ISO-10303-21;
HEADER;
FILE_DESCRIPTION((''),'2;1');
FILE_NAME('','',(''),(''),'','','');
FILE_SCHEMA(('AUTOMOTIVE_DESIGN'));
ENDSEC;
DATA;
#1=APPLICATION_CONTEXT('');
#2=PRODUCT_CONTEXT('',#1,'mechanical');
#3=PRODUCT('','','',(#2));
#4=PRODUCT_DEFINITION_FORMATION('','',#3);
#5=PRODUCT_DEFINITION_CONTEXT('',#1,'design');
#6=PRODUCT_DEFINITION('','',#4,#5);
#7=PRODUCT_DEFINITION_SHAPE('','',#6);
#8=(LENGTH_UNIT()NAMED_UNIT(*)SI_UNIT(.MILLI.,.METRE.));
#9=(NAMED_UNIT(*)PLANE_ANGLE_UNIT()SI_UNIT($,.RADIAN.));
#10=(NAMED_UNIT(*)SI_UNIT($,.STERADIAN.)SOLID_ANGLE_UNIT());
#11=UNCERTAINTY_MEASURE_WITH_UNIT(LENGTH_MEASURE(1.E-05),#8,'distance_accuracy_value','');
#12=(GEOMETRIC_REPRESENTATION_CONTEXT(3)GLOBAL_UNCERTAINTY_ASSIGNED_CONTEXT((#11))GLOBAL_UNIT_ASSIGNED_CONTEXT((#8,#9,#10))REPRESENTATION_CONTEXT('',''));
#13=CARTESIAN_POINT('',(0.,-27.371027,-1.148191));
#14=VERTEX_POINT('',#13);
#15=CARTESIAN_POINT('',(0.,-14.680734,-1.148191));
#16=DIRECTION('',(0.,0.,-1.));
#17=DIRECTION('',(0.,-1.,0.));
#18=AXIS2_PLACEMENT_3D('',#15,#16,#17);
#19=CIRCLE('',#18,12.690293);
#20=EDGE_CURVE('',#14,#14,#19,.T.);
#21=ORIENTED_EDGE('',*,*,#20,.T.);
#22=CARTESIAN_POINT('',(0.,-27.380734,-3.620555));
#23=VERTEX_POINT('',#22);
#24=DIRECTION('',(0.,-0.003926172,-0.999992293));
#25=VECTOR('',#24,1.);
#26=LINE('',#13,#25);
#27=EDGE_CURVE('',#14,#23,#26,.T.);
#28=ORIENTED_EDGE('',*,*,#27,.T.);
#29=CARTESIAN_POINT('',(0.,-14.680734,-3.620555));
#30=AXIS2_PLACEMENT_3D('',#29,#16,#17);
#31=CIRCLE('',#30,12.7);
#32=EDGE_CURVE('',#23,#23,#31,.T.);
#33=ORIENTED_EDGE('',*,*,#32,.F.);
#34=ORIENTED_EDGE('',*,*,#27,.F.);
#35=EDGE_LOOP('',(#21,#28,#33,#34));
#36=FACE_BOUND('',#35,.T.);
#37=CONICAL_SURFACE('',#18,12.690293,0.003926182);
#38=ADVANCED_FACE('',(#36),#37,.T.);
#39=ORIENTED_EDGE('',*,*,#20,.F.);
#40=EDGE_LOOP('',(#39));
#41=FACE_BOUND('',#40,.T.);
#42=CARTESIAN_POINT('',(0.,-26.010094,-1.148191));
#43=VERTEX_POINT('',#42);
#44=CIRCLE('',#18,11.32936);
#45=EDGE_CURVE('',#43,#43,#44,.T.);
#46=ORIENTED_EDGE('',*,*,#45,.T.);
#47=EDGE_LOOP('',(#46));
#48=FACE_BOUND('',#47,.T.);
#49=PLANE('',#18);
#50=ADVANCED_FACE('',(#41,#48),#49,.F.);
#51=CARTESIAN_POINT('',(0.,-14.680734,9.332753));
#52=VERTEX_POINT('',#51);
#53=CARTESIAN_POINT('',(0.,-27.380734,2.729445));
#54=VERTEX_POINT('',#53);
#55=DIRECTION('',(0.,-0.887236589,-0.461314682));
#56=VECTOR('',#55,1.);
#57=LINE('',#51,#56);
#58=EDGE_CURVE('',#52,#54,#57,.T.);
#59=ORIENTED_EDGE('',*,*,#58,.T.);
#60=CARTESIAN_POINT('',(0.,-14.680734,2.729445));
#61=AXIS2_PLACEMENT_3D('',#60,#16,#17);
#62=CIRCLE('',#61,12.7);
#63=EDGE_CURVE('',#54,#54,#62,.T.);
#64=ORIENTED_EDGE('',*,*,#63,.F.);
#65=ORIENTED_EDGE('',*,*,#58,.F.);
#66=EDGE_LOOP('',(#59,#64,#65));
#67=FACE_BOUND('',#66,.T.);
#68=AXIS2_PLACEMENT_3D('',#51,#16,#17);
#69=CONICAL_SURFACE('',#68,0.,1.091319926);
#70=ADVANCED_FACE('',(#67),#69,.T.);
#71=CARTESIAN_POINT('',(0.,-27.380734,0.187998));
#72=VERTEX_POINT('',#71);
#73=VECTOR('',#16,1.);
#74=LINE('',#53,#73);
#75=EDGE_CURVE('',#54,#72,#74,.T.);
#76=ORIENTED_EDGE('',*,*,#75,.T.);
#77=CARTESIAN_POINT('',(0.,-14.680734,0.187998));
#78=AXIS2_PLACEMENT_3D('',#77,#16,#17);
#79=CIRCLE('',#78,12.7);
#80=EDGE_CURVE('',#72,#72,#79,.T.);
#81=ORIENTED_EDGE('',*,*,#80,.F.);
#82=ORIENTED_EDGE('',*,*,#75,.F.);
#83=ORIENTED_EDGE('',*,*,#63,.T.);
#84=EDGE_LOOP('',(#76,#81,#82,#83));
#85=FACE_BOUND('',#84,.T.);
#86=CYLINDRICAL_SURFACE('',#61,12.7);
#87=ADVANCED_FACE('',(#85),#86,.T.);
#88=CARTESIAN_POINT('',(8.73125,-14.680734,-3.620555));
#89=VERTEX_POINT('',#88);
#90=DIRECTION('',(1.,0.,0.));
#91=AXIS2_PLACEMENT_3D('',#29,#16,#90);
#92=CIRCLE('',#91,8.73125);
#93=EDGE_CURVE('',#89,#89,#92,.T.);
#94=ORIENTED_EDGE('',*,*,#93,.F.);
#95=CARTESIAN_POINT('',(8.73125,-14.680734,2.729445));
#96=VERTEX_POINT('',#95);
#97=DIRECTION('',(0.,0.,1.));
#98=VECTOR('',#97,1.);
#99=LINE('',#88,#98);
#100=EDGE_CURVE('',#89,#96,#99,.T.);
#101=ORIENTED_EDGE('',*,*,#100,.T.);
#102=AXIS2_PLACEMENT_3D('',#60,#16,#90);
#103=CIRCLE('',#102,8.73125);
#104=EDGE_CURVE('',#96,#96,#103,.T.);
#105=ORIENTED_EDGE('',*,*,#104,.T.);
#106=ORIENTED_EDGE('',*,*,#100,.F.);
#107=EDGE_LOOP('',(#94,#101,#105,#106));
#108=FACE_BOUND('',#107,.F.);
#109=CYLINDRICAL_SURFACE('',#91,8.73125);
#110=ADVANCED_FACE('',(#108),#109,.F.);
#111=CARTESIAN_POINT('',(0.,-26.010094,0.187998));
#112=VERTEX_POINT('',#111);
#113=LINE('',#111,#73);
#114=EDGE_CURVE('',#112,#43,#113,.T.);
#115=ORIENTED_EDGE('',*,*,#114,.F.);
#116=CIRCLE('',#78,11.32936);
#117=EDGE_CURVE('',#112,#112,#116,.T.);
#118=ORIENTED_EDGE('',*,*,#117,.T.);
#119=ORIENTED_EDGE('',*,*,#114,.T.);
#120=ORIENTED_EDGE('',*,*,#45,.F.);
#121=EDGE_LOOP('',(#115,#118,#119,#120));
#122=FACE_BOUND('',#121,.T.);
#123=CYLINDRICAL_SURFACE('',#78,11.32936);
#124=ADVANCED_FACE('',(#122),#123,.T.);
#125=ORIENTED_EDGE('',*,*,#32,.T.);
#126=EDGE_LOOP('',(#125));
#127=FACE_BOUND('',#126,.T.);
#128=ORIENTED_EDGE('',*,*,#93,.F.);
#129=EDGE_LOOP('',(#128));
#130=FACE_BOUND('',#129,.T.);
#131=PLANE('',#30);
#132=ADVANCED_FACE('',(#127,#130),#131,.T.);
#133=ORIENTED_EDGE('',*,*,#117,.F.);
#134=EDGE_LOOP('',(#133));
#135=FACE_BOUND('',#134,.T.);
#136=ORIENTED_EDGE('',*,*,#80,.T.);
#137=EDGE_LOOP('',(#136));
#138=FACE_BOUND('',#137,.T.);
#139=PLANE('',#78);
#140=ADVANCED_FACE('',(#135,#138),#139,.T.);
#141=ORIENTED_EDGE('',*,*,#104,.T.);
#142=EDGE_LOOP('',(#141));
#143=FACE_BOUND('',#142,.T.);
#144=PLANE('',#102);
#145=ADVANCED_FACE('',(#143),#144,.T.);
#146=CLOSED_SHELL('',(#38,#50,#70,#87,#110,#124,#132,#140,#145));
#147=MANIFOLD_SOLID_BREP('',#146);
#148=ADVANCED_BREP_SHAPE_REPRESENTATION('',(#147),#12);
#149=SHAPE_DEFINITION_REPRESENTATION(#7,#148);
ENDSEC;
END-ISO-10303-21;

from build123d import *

# Parameters (mm, degrees)
F2_R     = 8.73125
F3_DEPTH = 6.35


with BuildPart() as f1:
    # F0 (on Right) → F1 (revolve)
    with BuildSketch(Plane.YZ):
        Polygon((-14.680734, 9.332753), (-27.380734, 2.729445), (-27.380734, 0.187998), (-26.010094, 0.187998), (-26.010094, -1.148191), (-27.371027, -1.148191), (-27.380734, -3.620555), (-14.680734, -3.620555), align=None)
    revolve(axis=Axis((0, -14.680734, 2.856099), (0, 0, -1)))

    # F2 (on face) → F3 (cut)
    with BuildSketch(Plane(origin=(0, 0, -3.620555), x_dir=(1, 0, 0), z_dir=(0, 0, -1))):
        with Locations((0, 14.680734)):
            Circle(F2_R)
    extrude(amount=-F3_DEPTH, mode=Mode.SUBTRACT)


solid = f1.part
